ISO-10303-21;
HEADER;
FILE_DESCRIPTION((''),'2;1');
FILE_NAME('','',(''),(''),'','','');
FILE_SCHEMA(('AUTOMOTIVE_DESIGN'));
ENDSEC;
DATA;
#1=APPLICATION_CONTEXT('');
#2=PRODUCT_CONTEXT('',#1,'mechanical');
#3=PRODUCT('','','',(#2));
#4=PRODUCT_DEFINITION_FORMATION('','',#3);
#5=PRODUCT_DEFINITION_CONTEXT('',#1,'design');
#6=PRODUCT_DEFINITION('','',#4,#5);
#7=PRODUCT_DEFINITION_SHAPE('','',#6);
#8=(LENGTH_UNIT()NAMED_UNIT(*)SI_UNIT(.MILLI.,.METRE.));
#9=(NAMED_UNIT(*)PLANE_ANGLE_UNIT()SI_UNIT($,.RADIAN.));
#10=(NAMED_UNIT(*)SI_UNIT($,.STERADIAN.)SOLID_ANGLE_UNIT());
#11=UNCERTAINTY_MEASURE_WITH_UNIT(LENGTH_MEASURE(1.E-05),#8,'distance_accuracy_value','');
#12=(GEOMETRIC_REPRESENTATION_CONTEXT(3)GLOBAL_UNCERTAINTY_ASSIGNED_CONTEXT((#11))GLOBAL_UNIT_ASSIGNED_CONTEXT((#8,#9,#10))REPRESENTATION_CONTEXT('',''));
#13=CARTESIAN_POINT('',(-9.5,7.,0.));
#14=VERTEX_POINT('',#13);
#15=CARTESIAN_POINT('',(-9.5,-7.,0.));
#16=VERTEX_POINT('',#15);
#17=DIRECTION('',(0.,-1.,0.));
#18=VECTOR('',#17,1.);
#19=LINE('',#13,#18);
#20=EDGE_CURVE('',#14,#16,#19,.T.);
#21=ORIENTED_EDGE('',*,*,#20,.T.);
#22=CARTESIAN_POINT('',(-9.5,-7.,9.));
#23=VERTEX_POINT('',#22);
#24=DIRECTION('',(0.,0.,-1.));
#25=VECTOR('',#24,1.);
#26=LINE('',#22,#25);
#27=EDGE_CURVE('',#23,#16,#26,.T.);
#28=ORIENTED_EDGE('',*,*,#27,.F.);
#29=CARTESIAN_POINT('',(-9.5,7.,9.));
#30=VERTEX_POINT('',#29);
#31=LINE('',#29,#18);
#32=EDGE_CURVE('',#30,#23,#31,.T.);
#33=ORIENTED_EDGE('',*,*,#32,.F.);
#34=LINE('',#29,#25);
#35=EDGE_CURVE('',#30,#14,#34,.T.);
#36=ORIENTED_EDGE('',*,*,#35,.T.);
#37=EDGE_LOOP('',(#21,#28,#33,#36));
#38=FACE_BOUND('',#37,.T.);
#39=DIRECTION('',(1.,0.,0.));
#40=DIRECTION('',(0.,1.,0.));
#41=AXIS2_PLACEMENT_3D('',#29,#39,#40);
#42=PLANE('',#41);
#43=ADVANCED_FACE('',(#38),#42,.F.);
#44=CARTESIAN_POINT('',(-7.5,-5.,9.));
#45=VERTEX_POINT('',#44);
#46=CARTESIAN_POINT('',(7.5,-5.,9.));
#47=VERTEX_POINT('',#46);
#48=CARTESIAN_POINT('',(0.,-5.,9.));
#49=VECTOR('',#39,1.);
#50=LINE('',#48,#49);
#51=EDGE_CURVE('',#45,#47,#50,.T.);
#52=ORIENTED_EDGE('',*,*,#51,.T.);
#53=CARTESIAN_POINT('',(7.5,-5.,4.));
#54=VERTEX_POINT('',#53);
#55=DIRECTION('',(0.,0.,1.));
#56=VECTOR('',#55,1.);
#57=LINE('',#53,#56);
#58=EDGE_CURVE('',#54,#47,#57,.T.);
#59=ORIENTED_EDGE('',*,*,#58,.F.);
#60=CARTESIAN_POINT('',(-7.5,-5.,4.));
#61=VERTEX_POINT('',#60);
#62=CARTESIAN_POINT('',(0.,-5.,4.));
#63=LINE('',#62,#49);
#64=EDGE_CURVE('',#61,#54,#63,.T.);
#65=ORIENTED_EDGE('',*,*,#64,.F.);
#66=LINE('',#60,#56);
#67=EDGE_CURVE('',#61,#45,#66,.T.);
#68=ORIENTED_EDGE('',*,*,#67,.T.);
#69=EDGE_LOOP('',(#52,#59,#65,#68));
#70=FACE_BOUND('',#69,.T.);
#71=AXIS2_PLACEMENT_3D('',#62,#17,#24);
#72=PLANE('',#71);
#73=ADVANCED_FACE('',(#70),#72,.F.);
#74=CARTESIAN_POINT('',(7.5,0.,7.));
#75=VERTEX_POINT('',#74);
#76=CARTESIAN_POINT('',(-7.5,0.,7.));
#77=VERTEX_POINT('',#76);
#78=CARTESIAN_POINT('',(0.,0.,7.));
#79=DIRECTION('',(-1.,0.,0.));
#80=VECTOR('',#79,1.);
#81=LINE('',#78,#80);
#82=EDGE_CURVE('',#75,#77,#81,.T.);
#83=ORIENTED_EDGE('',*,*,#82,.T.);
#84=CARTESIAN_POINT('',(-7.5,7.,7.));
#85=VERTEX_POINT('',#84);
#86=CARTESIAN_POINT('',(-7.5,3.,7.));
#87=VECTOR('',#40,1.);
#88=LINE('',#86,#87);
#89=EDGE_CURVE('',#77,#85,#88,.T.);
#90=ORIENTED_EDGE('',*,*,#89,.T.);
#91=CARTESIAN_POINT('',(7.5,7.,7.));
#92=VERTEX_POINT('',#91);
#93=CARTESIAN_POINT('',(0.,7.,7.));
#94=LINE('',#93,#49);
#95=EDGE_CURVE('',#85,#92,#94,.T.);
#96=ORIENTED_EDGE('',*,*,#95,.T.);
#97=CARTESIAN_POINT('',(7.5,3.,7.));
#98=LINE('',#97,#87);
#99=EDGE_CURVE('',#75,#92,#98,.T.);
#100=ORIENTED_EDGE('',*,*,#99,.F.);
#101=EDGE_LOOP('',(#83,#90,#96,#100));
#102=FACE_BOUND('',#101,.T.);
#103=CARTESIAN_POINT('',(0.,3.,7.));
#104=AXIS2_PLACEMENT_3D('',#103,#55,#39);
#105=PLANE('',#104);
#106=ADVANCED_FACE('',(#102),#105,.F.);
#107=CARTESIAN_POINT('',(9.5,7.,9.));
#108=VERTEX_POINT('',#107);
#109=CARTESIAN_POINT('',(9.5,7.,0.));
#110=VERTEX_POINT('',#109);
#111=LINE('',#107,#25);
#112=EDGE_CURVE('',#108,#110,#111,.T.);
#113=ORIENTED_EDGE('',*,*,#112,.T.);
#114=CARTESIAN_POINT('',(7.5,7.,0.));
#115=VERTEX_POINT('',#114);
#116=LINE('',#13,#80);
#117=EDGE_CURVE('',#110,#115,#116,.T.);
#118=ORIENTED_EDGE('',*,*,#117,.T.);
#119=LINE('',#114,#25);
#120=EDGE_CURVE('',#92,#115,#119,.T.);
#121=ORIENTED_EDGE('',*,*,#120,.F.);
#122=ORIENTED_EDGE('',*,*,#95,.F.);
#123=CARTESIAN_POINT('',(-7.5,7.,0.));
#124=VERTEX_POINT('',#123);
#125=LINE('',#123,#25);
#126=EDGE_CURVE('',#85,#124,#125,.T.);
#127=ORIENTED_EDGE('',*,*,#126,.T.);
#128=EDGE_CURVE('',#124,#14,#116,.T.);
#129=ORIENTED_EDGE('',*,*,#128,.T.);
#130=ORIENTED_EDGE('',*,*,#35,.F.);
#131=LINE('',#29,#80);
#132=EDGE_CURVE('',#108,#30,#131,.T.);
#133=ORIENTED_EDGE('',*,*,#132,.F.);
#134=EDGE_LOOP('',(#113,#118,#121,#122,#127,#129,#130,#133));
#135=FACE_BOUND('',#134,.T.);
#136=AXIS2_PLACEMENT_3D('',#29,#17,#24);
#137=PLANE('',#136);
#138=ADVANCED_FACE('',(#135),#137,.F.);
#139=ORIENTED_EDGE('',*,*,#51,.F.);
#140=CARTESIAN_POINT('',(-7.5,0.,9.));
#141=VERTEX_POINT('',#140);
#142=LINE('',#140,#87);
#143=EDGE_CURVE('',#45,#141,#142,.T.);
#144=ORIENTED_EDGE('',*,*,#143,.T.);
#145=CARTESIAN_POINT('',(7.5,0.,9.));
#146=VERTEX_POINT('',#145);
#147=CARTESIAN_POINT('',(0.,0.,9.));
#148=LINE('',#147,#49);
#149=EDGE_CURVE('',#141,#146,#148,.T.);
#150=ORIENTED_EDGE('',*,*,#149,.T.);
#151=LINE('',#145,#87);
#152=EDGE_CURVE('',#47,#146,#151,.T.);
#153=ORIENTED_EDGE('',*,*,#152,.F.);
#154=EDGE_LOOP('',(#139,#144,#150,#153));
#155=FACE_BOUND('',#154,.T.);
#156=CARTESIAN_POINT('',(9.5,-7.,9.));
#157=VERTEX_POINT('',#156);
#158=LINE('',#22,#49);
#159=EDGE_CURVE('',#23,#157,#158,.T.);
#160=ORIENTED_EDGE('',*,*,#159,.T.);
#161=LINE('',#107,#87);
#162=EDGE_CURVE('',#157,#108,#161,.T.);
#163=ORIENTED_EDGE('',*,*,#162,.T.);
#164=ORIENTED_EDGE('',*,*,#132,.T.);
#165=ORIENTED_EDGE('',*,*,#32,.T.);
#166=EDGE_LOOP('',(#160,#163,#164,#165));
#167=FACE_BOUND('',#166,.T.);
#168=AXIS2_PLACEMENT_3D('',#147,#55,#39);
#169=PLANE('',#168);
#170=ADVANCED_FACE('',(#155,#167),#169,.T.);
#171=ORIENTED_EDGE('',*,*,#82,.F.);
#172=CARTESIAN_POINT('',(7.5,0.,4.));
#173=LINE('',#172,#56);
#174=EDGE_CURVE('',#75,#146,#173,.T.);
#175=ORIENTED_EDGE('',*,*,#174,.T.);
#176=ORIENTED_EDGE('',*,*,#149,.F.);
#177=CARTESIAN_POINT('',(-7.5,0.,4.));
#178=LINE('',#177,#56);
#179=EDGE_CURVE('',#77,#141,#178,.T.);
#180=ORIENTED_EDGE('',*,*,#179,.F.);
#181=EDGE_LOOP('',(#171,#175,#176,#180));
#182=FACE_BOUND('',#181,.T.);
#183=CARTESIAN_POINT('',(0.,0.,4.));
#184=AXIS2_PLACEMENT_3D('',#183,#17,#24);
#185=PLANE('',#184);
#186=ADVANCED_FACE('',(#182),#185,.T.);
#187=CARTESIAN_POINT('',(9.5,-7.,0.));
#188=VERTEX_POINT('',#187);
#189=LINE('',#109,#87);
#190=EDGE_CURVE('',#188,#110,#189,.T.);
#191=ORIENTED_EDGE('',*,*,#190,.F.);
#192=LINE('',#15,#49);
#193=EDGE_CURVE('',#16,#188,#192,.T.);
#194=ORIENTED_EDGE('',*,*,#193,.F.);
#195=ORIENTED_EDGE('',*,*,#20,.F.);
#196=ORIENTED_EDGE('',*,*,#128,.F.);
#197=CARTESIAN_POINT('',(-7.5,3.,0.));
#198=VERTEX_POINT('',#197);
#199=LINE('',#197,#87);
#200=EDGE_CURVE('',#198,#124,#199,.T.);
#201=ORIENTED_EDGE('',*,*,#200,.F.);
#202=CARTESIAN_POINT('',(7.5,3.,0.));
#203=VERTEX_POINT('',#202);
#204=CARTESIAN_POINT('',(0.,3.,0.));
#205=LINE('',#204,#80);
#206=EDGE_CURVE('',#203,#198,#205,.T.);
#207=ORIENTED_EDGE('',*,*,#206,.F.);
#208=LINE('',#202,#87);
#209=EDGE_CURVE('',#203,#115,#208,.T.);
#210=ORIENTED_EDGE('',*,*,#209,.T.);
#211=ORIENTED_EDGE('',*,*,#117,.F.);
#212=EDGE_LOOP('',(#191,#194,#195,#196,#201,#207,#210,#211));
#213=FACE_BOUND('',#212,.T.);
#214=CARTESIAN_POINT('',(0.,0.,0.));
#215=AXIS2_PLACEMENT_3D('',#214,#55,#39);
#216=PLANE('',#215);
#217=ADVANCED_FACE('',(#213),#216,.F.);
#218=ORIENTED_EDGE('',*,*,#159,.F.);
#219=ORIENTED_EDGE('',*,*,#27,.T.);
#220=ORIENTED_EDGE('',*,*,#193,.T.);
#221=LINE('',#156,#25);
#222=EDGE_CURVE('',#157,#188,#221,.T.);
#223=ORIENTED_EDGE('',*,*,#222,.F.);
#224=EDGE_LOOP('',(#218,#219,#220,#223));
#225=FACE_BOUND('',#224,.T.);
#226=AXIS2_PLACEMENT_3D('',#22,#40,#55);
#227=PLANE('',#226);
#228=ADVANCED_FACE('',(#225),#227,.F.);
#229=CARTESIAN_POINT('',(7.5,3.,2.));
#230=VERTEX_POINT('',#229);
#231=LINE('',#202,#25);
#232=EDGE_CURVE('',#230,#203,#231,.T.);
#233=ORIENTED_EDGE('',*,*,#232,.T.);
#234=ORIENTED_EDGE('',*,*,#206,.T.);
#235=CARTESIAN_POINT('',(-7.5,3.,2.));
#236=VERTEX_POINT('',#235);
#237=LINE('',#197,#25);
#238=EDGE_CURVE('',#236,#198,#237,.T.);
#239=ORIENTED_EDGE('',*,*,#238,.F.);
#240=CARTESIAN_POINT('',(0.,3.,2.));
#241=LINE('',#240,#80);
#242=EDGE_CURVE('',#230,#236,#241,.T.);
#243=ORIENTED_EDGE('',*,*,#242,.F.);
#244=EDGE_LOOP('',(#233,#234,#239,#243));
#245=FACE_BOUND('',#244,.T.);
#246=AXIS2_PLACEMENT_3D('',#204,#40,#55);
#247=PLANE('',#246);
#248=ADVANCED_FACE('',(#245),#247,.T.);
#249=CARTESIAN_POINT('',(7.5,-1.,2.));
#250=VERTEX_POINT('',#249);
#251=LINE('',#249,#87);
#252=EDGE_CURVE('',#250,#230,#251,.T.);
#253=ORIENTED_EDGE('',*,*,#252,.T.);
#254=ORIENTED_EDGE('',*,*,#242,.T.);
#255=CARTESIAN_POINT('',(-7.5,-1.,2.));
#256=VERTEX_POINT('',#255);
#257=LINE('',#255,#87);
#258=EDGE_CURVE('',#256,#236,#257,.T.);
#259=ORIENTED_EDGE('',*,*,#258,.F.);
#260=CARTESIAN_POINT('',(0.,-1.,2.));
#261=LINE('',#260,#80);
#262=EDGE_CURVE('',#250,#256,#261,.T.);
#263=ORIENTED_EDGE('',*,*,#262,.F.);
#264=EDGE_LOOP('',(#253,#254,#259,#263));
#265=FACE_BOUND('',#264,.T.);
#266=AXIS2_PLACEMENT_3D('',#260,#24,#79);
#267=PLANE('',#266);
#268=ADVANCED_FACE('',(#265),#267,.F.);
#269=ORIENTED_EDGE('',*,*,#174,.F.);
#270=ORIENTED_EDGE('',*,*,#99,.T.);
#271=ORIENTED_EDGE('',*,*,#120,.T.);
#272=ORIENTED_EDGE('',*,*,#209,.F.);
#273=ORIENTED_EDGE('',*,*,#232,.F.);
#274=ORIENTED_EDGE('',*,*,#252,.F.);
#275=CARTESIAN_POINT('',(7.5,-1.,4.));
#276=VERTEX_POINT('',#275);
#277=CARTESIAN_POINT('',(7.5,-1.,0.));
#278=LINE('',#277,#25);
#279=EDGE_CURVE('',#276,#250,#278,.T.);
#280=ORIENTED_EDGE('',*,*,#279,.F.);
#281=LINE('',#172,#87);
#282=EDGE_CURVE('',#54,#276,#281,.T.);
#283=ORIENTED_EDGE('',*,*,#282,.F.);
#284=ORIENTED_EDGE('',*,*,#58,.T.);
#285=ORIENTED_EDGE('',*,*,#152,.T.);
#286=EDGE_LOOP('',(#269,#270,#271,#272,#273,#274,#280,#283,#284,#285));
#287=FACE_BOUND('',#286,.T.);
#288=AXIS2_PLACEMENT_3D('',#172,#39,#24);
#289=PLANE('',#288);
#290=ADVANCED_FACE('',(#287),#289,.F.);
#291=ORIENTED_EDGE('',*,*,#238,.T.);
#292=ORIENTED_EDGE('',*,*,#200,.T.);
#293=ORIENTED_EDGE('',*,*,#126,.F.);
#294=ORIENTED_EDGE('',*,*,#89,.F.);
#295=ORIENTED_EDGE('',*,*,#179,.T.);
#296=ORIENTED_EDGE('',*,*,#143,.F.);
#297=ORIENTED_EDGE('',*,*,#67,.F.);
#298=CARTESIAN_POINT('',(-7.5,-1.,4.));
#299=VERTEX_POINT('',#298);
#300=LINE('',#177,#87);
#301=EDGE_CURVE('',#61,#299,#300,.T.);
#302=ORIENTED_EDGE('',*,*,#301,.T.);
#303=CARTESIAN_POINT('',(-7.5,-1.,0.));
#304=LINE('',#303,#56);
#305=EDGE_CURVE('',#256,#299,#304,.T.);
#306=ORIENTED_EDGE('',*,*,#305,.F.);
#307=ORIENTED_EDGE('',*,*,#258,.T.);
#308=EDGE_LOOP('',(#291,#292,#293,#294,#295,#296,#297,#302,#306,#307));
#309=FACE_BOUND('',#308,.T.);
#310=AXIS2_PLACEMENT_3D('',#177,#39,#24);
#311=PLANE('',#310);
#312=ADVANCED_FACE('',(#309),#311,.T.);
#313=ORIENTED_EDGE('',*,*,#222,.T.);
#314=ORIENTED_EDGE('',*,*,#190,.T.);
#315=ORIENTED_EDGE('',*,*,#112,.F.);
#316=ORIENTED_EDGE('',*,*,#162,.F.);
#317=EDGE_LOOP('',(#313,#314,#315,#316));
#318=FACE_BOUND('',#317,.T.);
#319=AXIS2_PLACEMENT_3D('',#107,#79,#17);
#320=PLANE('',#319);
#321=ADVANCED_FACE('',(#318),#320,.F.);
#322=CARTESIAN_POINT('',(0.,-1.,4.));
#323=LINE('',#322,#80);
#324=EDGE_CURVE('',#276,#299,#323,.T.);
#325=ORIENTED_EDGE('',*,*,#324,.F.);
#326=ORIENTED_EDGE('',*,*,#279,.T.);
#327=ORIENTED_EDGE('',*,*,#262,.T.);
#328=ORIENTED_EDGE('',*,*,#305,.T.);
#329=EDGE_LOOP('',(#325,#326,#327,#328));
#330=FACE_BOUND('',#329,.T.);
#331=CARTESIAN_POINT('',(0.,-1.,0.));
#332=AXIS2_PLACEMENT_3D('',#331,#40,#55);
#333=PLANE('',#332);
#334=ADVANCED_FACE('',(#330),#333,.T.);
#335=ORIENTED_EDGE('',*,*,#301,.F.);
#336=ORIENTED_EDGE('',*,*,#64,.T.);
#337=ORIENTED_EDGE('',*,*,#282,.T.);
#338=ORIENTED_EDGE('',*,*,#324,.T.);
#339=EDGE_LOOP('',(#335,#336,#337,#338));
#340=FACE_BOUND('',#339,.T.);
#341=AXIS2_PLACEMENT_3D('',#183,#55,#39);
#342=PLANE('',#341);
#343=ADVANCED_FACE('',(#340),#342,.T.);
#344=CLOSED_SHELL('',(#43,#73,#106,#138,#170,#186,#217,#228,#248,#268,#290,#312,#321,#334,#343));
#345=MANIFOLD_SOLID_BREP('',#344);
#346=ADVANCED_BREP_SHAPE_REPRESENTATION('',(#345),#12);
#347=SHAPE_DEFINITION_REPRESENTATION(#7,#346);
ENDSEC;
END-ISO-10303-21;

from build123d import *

# Parameters (mm, degrees)
SKETCH2_W           = 19
SKETCH2_H           = 14
BOSS_EXTRUDE1_DEPTH = 9
SKETCH3_W           = 15
SKETCH3_H           = 5
CUT_EXTRUDE1_DEPTH  = 5
SKETCH6_W           = 15
SKETCH6_H           = 7
CUT_EXTRUDE3_DEPTH  = 4
SKETCH7_W           = 15
SKETCH7_H           = 5
CUT_EXTRUDE4_DEPTH  = 4


with BuildPart() as part:
    # Sketch2 → Boss-Extrude1 (new body)
    with BuildSketch(Plane.XY):
        Rectangle(SKETCH2_W, SKETCH2_H)
    extrude(amount=BOSS_EXTRUDE1_DEPTH)

    # Sketch3 → Cut-Extrude1 (cut)
    with BuildSketch(Plane.XY.offset(9)):
        with Locations((0, -2.5)):
            Rectangle(SKETCH3_W, SKETCH3_H)
    extrude(amount=-CUT_EXTRUDE1_DEPTH, mode=Mode.SUBTRACT)

    # Sketch6 → Cut-Extrude3 (cut)
    with BuildSketch(Plane(origin=(0, 7, 0), x_dir=(1, 0, 0), z_dir=(0, 1, 0))):
        with Locations((0, -3.5)):
            Rectangle(SKETCH6_W, SKETCH6_H)
    extrude(amount=-CUT_EXTRUDE3_DEPTH, mode=Mode.SUBTRACT)

    # Sketch7 → Cut-Extrude4 (cut)
    with BuildSketch(Plane(origin=(0, 3, 0), x_dir=(1, 0, 0), z_dir=(0, 1, 0))):
        with Locations((0, -4.5)):
            Rectangle(SKETCH7_W, SKETCH7_H)
    extrude(amount=-CUT_EXTRUDE4_DEPTH, mode=Mode.SUBTRACT)


solid = part.part
